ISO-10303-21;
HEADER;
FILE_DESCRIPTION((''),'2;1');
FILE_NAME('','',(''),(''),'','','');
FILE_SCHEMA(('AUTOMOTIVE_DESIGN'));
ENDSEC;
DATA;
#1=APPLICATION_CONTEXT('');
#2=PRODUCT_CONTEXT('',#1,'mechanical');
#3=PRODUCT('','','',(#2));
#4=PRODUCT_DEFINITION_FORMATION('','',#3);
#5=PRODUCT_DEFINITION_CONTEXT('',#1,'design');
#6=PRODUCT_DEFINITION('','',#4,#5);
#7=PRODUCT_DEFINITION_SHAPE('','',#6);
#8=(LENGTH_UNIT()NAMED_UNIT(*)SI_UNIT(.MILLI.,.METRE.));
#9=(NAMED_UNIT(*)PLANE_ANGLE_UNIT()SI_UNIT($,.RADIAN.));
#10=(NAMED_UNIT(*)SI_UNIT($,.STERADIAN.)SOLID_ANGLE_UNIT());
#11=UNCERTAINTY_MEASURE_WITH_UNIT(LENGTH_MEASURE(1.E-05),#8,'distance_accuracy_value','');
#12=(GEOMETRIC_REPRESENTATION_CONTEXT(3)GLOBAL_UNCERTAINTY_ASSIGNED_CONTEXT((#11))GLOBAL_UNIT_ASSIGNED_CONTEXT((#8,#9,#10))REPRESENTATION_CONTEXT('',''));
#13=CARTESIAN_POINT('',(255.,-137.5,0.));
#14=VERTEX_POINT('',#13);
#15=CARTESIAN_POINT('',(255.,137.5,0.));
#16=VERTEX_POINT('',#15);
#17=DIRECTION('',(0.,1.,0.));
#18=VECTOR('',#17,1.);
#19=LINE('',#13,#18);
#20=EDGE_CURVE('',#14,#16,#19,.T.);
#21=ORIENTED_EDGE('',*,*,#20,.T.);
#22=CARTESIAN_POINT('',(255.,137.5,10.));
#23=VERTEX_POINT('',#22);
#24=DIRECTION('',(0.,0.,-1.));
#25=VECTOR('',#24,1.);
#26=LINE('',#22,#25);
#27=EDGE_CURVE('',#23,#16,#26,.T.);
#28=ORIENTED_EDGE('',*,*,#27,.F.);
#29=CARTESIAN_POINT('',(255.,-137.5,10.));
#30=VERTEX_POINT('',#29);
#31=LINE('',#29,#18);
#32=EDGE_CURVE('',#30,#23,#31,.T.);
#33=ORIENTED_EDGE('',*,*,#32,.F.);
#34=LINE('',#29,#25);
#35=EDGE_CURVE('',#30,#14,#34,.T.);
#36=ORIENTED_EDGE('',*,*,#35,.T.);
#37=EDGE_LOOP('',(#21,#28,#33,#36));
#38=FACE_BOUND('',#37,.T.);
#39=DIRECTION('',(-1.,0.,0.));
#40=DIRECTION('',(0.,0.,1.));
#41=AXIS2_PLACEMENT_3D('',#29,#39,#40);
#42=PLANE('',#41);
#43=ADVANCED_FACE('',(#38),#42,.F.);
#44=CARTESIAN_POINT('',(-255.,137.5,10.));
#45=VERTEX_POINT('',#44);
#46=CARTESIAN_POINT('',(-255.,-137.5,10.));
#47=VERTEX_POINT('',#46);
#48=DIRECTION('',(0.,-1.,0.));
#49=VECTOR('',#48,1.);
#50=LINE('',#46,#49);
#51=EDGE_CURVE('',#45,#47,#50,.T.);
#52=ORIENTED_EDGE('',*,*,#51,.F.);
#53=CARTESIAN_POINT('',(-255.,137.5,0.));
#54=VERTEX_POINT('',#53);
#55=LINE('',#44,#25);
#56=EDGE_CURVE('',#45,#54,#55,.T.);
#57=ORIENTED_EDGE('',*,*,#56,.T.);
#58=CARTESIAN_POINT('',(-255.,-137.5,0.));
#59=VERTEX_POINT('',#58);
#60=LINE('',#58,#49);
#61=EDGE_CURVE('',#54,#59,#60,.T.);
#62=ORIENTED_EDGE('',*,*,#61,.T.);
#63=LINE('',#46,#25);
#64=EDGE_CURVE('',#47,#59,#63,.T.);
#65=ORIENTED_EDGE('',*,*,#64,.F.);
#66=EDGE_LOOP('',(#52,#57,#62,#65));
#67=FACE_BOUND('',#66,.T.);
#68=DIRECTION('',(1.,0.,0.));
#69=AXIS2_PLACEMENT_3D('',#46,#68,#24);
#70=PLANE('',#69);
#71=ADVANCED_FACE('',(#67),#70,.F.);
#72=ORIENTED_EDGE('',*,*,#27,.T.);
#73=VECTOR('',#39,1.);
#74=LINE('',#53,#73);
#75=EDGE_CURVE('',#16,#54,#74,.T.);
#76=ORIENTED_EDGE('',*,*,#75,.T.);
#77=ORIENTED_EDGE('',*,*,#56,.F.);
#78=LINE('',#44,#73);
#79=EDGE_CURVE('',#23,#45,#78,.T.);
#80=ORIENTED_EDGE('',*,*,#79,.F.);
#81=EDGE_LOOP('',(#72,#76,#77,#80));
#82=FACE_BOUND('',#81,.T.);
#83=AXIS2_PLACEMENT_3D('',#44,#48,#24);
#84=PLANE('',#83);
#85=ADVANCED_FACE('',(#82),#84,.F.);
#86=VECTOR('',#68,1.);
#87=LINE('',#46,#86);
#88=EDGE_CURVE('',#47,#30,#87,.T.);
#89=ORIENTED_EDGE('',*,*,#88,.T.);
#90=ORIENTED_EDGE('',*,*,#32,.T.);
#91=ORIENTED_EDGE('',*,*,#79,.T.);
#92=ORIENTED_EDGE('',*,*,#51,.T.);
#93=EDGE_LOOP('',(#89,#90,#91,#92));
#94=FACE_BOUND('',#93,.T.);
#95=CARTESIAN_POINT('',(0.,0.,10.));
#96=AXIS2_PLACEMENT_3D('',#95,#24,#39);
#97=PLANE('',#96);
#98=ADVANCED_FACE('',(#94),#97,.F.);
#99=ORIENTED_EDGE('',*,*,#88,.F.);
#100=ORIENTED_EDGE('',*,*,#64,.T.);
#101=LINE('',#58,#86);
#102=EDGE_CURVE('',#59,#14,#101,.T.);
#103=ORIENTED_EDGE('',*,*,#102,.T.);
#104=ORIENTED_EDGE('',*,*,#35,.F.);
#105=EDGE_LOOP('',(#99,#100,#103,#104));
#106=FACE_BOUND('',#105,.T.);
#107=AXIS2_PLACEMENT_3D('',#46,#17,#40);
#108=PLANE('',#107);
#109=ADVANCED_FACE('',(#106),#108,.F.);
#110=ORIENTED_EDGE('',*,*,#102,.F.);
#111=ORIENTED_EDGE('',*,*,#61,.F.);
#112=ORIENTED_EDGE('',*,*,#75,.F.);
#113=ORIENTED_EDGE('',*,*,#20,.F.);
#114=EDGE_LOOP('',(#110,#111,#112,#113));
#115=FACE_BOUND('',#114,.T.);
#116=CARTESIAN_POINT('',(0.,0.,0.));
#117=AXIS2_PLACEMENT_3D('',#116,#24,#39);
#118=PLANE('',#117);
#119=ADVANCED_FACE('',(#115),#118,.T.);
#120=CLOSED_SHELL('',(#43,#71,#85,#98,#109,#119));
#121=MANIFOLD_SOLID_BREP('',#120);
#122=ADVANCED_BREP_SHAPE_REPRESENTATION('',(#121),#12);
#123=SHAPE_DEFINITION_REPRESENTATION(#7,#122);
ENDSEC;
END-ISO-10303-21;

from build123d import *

# Parameters (mm, degrees)
SKETCH1_W           = 510
SKETCH1_H           = 275
BOSS_EXTRUDE1_DEPTH = 10


with BuildPart() as part:
    # Sketch1 → Boss-Extrude1 (new body)
    with BuildSketch(Plane.XY):
        Rectangle(SKETCH1_W, SKETCH1_H)
    extrude(amount=BOSS_EXTRUDE1_DEPTH)


solid = part.part
